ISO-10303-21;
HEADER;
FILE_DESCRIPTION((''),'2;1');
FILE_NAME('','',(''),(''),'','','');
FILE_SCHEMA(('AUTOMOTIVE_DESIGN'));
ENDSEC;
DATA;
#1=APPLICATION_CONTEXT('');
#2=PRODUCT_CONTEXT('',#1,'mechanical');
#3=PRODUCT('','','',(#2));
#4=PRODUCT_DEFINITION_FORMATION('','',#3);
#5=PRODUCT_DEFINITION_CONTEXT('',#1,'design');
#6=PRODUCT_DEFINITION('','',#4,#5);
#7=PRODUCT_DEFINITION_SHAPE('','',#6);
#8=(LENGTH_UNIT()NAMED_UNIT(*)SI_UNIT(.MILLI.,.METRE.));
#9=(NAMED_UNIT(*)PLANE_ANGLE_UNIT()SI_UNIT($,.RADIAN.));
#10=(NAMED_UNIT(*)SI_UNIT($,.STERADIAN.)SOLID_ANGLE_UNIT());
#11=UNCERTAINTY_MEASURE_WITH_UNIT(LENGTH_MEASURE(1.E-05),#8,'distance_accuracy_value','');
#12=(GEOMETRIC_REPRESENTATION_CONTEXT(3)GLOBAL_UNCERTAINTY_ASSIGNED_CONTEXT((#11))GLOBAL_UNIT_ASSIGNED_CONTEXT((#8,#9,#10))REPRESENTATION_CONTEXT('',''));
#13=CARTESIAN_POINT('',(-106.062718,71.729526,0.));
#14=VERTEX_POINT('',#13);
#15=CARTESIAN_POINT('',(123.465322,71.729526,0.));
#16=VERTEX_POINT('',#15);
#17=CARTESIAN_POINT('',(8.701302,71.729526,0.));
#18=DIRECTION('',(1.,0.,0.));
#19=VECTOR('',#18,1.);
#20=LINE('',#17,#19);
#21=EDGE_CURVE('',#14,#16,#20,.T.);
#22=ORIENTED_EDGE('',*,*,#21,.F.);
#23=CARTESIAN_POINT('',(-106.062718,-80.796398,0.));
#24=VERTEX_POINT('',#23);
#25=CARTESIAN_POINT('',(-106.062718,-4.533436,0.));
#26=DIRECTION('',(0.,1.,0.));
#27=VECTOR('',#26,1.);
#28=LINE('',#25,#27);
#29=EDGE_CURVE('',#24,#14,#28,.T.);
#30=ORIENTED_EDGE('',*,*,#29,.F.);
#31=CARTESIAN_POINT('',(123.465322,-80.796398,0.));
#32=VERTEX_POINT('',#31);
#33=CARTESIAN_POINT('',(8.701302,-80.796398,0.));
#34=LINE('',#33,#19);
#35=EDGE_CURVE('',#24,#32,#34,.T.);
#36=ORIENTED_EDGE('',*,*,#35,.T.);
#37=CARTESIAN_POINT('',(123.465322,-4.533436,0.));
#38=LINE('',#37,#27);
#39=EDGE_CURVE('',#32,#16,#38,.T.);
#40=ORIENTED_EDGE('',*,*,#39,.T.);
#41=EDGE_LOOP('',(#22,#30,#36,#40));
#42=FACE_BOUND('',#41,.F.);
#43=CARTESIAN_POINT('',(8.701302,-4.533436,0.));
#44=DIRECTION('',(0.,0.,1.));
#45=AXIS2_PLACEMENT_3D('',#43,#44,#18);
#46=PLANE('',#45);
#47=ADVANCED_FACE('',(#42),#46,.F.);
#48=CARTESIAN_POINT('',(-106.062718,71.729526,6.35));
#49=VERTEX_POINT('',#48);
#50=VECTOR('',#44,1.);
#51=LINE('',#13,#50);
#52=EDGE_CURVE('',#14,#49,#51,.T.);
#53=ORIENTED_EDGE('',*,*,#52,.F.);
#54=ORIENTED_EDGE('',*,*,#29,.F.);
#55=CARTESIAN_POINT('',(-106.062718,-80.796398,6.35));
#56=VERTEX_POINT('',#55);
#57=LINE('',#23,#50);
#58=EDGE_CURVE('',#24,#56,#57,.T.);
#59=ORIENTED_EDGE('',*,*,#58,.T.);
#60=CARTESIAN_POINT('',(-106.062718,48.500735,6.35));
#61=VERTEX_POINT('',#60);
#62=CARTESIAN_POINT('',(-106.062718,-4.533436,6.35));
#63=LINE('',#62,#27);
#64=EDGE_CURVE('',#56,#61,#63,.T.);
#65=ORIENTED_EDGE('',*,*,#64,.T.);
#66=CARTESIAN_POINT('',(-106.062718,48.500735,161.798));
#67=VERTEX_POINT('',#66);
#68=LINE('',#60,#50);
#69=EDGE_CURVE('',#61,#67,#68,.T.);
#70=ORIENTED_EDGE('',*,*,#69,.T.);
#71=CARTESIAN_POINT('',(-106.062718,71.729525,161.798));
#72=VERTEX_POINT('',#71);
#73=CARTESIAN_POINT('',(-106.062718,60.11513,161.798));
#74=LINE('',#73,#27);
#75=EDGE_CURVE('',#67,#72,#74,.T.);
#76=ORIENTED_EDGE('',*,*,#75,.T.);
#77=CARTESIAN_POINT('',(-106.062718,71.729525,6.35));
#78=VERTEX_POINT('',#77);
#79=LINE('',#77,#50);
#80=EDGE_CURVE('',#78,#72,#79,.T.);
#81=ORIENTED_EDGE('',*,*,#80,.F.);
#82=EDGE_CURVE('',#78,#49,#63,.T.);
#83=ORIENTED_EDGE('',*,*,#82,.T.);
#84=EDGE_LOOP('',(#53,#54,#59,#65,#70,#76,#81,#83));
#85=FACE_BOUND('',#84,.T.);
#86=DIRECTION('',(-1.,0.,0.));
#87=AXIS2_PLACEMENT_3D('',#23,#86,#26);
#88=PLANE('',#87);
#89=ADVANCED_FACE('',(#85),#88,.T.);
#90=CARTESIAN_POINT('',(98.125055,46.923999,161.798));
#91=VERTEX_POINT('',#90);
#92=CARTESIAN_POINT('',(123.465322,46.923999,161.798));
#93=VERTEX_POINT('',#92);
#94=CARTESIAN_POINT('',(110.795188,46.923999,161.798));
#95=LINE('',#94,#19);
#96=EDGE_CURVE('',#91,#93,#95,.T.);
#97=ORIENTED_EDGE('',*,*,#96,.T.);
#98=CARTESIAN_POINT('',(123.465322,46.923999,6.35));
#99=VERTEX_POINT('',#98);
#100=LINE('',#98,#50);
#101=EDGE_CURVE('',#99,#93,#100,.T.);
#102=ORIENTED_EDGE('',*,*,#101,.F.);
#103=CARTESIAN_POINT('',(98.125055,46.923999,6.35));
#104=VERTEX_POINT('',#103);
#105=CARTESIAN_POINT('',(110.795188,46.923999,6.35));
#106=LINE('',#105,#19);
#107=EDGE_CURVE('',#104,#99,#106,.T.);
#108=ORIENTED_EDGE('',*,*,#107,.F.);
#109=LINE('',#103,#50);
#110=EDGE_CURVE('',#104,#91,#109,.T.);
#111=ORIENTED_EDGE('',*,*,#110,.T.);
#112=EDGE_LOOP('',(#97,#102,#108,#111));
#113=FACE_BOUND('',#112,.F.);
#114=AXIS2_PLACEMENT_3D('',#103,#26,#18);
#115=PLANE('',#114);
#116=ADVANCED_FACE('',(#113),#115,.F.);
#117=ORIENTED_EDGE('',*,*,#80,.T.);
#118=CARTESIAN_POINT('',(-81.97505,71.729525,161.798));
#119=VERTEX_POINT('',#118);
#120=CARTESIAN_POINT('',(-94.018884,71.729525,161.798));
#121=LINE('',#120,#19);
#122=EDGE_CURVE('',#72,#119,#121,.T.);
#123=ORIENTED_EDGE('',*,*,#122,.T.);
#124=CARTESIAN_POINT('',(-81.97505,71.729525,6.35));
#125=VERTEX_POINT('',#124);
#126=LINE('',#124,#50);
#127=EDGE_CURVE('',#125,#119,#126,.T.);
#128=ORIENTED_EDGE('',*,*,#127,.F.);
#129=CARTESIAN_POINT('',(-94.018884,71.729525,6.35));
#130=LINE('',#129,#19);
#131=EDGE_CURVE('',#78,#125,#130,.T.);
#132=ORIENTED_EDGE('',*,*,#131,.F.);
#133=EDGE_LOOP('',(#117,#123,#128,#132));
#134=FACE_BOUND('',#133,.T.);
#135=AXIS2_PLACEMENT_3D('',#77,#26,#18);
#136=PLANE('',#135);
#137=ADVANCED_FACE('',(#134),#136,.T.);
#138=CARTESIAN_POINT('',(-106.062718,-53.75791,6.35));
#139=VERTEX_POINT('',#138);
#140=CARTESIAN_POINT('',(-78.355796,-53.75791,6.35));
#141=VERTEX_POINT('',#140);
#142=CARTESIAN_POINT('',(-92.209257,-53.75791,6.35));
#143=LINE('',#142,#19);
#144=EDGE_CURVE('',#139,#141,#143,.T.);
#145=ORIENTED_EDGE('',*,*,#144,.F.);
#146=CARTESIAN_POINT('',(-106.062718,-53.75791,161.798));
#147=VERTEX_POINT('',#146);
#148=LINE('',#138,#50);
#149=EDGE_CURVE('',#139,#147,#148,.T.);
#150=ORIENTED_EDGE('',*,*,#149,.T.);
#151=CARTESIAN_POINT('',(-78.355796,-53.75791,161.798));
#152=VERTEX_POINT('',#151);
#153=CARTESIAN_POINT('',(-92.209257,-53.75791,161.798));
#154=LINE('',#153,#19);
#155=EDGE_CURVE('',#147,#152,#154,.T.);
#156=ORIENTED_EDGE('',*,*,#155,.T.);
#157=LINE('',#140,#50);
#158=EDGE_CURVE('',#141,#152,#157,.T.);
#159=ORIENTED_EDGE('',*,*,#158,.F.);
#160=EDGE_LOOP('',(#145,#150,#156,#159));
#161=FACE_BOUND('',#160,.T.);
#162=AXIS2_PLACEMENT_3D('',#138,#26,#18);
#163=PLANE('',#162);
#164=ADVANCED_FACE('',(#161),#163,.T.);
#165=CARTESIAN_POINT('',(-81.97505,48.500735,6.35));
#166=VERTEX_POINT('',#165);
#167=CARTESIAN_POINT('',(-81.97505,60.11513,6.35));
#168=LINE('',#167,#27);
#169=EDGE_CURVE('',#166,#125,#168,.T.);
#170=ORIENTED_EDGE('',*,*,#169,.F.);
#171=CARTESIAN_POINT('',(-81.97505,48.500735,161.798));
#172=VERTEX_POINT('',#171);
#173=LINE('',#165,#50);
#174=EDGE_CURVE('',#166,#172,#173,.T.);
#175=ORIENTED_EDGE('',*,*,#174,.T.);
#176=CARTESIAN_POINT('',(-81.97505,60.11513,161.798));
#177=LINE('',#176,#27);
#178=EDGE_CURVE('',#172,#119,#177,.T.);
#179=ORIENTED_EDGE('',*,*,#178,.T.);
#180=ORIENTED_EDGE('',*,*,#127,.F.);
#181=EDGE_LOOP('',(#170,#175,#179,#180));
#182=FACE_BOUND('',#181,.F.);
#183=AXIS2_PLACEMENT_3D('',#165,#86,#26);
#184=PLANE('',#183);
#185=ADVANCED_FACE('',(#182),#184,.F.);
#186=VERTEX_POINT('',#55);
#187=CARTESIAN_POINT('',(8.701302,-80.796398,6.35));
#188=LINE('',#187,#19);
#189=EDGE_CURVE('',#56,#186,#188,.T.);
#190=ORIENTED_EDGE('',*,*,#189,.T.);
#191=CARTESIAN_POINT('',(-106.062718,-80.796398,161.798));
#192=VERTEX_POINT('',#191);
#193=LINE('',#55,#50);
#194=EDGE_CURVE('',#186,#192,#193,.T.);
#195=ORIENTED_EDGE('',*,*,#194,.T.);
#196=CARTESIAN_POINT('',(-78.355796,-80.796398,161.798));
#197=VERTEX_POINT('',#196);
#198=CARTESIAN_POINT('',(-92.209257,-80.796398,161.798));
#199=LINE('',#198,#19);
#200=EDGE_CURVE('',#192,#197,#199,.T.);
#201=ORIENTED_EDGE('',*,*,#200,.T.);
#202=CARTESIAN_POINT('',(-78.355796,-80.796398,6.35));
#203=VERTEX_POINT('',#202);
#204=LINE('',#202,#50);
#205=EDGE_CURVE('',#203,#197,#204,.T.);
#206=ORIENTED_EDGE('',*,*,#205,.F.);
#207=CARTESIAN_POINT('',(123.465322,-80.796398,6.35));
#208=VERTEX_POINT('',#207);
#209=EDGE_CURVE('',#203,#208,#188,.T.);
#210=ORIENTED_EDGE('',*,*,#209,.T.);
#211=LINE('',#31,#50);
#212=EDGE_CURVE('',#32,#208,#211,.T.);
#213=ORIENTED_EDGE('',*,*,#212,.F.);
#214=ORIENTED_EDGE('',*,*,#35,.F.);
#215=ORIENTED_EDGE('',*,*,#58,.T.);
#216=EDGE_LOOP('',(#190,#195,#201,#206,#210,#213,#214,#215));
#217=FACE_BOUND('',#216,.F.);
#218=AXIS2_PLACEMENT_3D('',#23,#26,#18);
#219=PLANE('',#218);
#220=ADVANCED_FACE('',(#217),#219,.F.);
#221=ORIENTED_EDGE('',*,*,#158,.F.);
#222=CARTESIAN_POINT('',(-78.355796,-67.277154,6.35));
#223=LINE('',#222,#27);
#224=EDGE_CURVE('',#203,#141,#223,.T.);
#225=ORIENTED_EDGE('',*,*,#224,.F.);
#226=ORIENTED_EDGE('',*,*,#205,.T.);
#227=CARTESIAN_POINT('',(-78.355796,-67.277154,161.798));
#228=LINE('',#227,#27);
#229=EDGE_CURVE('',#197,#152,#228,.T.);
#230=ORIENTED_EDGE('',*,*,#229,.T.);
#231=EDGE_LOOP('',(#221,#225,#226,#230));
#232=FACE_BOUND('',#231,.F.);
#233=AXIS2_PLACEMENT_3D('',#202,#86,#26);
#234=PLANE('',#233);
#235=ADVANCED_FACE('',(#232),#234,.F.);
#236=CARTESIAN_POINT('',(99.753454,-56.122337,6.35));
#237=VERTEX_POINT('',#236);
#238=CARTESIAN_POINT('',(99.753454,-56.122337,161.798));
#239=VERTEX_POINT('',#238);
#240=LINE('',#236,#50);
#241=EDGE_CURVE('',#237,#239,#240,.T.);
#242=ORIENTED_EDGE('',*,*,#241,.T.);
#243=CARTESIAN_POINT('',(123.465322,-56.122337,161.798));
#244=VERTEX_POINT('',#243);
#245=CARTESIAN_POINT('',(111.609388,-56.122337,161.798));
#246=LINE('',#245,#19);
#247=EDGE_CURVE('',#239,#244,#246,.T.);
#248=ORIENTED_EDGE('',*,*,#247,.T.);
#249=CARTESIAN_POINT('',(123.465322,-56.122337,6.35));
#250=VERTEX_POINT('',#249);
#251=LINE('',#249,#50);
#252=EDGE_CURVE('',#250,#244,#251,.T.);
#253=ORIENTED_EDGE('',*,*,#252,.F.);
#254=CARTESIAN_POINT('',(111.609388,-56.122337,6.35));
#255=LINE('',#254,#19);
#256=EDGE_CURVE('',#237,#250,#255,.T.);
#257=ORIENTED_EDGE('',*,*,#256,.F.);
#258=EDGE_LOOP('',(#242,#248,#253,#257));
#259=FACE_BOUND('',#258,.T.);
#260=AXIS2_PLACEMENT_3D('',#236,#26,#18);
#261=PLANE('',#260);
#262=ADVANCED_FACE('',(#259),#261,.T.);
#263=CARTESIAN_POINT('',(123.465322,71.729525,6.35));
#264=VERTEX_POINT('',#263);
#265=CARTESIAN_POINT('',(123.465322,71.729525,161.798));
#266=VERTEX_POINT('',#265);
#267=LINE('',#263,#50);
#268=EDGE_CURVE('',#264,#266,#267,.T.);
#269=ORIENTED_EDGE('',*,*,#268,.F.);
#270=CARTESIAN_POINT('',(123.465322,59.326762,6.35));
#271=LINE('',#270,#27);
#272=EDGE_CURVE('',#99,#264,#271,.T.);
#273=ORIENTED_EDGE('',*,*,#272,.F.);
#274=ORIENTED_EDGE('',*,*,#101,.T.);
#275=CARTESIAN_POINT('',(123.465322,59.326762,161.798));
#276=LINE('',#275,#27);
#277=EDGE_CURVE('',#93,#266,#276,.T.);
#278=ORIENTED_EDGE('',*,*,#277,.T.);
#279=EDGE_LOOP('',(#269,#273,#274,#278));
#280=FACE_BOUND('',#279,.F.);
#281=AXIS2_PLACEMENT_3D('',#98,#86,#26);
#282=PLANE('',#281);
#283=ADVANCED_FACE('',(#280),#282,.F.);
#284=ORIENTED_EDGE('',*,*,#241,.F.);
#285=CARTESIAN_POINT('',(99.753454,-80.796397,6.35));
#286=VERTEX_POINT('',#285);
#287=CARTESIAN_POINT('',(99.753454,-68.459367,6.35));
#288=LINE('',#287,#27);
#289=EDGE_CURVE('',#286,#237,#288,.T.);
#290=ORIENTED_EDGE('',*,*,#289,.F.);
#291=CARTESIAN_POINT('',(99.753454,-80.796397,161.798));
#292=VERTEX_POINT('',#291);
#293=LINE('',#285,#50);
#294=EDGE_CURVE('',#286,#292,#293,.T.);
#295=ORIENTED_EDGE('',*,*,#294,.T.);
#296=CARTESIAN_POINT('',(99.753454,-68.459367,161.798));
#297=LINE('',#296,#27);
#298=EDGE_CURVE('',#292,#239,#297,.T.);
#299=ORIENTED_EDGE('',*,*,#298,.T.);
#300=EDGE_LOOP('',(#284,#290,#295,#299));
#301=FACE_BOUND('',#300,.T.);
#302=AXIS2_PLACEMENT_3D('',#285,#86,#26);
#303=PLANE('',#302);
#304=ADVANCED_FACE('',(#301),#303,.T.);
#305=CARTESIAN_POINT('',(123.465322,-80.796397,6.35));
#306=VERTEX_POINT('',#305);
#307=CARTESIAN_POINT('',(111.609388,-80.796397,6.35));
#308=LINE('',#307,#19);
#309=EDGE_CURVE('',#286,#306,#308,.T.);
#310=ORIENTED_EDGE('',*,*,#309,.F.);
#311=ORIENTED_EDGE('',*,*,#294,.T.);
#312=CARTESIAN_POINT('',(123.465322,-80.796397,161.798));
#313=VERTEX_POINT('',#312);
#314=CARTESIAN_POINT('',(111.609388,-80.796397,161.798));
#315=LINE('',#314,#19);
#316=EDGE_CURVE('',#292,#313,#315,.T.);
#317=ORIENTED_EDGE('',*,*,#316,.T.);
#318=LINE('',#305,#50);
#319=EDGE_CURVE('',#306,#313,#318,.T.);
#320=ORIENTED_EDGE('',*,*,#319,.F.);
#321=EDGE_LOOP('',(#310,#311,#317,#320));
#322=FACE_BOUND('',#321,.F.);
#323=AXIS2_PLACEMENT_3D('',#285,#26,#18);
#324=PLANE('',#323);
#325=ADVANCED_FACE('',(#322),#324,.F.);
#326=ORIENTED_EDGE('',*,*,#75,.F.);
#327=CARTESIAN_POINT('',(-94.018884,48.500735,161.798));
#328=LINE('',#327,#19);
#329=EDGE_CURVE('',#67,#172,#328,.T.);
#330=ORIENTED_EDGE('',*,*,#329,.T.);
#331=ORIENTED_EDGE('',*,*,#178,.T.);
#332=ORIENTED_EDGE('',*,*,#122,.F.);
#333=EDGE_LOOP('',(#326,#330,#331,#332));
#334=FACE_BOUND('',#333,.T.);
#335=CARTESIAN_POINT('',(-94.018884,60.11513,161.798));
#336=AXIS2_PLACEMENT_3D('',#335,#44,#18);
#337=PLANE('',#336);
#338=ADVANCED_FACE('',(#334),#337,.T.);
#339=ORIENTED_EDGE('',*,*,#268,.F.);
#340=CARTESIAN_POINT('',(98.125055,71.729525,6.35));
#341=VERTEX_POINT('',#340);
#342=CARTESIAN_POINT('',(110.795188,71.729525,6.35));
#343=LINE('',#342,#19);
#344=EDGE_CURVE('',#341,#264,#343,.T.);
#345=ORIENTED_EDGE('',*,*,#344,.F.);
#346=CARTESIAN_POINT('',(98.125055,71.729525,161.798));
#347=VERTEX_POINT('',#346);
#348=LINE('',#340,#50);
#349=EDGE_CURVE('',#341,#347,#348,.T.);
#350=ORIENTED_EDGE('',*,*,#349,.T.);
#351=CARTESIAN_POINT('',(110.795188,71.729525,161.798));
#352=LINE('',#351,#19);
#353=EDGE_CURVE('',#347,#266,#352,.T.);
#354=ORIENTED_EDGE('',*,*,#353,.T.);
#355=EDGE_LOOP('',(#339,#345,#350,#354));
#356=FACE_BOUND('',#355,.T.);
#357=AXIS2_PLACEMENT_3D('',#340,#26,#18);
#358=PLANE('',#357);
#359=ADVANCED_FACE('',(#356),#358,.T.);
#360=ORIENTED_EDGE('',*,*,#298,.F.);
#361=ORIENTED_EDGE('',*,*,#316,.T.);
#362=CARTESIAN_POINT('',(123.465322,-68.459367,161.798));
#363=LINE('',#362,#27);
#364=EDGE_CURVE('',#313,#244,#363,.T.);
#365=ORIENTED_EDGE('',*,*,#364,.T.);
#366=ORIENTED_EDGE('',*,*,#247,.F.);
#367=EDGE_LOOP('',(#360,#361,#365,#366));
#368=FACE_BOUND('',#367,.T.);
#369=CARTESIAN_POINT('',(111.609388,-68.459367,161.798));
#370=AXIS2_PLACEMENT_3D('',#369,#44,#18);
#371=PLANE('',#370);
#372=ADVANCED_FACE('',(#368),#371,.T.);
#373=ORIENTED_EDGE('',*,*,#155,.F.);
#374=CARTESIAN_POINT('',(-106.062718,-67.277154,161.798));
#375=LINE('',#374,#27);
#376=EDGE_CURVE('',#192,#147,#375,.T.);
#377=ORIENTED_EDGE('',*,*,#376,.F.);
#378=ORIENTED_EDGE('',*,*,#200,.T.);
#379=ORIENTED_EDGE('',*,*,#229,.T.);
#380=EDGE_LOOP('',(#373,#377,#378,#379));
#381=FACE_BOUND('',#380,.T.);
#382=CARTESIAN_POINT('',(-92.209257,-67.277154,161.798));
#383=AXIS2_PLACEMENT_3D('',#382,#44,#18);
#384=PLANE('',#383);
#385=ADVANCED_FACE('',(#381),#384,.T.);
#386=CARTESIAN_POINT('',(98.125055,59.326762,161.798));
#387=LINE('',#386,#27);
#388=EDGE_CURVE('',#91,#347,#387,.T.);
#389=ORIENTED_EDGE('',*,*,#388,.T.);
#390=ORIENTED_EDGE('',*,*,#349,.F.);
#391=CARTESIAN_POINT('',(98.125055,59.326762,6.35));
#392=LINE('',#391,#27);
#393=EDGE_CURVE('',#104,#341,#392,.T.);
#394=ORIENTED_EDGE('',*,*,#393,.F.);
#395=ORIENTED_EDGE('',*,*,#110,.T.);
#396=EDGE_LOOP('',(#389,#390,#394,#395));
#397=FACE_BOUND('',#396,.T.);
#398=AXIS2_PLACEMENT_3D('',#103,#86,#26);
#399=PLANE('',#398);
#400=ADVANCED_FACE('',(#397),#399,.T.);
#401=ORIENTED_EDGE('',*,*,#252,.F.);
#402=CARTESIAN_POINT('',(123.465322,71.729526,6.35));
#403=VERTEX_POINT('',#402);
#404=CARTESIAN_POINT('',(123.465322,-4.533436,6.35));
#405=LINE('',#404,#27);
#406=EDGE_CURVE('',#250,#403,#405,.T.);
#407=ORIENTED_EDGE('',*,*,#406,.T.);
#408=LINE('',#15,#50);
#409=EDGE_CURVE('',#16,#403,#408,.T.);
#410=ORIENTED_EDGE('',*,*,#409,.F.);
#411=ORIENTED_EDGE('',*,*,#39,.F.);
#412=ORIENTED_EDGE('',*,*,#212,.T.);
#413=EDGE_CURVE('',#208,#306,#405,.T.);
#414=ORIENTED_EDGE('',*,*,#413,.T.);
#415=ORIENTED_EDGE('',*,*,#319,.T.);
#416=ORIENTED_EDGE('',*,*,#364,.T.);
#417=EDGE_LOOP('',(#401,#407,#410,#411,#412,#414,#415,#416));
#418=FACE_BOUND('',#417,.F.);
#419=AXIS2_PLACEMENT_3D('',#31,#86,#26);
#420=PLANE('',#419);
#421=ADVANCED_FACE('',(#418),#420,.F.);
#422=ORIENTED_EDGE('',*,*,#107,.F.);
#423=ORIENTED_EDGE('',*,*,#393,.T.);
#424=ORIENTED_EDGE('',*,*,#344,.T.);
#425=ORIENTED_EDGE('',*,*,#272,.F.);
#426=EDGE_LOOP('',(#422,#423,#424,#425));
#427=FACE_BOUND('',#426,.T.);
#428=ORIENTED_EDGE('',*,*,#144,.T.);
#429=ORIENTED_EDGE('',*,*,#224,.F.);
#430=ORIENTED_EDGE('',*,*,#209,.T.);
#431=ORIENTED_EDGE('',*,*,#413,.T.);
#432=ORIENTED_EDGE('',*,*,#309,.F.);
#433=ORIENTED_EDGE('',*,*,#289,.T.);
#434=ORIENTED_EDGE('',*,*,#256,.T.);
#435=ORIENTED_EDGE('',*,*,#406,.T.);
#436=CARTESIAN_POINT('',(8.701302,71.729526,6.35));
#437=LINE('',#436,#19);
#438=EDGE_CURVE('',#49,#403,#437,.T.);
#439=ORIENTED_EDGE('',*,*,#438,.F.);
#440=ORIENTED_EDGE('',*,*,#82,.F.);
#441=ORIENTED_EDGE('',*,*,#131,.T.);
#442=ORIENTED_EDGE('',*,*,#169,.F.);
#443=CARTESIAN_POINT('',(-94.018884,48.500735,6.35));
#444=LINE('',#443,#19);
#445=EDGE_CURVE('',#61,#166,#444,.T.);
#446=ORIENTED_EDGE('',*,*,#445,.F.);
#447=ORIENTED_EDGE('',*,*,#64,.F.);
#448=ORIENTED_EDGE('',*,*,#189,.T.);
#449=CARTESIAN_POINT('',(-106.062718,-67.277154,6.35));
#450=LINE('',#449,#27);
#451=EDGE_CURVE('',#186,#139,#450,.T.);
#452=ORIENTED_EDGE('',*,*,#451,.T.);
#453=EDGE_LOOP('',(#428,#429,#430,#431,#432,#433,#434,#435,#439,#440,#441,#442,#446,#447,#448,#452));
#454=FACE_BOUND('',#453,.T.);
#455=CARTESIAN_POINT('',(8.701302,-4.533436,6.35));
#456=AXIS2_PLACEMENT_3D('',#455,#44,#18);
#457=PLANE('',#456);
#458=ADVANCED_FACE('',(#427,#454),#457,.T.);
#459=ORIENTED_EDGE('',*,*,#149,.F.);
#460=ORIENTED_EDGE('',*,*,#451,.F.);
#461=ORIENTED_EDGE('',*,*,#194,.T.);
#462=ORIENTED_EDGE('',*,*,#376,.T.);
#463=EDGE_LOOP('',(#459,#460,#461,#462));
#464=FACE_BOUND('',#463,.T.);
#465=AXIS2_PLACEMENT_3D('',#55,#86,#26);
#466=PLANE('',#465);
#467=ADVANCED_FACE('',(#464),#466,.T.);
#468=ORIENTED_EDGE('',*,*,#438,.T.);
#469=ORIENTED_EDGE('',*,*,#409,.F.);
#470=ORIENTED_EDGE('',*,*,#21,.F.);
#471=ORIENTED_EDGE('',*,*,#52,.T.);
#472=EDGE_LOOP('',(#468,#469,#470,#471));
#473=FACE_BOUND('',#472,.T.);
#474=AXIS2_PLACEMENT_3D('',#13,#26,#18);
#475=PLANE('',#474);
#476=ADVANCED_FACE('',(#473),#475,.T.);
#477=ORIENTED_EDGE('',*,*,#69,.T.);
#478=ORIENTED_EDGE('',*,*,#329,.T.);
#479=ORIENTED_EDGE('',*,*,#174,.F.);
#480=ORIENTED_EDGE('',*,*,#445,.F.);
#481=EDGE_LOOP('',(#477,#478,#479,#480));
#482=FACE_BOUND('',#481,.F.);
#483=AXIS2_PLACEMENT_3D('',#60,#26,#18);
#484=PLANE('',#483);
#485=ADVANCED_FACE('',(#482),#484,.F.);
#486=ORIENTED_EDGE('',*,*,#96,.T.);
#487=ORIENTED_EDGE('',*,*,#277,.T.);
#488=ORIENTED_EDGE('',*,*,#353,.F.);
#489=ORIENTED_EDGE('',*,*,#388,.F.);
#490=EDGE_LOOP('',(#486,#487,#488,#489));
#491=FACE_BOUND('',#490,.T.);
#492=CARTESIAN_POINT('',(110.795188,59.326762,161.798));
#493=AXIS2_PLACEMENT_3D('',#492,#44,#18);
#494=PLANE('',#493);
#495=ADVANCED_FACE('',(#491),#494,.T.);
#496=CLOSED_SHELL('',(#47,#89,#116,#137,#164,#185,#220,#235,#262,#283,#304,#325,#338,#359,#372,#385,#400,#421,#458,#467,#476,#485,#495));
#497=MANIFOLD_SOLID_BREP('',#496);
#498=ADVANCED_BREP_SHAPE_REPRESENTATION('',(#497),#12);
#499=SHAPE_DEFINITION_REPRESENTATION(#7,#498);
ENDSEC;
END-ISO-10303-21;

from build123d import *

# Parameters (mm, degrees)
F0_W     = 229.52804
F0_H     = 152.525924
F1_DEPTH = 6.35
F2_W     = 23.711868
F2_H     = 24.674061
F3_DEPTH = 155.448
F4_W     = 25.340267
F4_H     = 24.805527
F5_DEPTH = 155.448
F6_W     = 27.706921
F6_H     = 27.038488
F6_W_2   = 24.087668
F6_H_2   = 23.228791
F7_DEPTH = 155.448


with BuildPart() as f1:
    # F0 (on Top) → F1 (new body)
    with BuildSketch(Plane.XY):
        with Locations((8.701302, -4.533436)):
            Rectangle(F0_W, F0_H)
    extrude(amount=F1_DEPTH)

    # F2 (on face) → F3 (join)
    with BuildSketch(Plane.XY.offset(6.35)):
        with Locations((111.609388, -68.459367)):
            Rectangle(F2_W, F2_H)
    extrude(amount=F3_DEPTH)

    # F4 (on face) → F5 (join)
    with BuildSketch(Plane.XY.offset(6.35)):
        with Locations((110.795188, 59.326762)):
            Rectangle(F4_W, F4_H)
    extrude(amount=F5_DEPTH)

    # F6 (on face) → F7 (join)
    with BuildSketch(Plane.XY.offset(6.35)):
        with Locations((-92.209257, -67.277154)):
            Rectangle(F6_W, F6_H)
        with Locations((-94.018884, 60.11513)):
            Rectangle(F6_W_2, F6_H_2)
    extrude(amount=F7_DEPTH)


solid = f1.part
